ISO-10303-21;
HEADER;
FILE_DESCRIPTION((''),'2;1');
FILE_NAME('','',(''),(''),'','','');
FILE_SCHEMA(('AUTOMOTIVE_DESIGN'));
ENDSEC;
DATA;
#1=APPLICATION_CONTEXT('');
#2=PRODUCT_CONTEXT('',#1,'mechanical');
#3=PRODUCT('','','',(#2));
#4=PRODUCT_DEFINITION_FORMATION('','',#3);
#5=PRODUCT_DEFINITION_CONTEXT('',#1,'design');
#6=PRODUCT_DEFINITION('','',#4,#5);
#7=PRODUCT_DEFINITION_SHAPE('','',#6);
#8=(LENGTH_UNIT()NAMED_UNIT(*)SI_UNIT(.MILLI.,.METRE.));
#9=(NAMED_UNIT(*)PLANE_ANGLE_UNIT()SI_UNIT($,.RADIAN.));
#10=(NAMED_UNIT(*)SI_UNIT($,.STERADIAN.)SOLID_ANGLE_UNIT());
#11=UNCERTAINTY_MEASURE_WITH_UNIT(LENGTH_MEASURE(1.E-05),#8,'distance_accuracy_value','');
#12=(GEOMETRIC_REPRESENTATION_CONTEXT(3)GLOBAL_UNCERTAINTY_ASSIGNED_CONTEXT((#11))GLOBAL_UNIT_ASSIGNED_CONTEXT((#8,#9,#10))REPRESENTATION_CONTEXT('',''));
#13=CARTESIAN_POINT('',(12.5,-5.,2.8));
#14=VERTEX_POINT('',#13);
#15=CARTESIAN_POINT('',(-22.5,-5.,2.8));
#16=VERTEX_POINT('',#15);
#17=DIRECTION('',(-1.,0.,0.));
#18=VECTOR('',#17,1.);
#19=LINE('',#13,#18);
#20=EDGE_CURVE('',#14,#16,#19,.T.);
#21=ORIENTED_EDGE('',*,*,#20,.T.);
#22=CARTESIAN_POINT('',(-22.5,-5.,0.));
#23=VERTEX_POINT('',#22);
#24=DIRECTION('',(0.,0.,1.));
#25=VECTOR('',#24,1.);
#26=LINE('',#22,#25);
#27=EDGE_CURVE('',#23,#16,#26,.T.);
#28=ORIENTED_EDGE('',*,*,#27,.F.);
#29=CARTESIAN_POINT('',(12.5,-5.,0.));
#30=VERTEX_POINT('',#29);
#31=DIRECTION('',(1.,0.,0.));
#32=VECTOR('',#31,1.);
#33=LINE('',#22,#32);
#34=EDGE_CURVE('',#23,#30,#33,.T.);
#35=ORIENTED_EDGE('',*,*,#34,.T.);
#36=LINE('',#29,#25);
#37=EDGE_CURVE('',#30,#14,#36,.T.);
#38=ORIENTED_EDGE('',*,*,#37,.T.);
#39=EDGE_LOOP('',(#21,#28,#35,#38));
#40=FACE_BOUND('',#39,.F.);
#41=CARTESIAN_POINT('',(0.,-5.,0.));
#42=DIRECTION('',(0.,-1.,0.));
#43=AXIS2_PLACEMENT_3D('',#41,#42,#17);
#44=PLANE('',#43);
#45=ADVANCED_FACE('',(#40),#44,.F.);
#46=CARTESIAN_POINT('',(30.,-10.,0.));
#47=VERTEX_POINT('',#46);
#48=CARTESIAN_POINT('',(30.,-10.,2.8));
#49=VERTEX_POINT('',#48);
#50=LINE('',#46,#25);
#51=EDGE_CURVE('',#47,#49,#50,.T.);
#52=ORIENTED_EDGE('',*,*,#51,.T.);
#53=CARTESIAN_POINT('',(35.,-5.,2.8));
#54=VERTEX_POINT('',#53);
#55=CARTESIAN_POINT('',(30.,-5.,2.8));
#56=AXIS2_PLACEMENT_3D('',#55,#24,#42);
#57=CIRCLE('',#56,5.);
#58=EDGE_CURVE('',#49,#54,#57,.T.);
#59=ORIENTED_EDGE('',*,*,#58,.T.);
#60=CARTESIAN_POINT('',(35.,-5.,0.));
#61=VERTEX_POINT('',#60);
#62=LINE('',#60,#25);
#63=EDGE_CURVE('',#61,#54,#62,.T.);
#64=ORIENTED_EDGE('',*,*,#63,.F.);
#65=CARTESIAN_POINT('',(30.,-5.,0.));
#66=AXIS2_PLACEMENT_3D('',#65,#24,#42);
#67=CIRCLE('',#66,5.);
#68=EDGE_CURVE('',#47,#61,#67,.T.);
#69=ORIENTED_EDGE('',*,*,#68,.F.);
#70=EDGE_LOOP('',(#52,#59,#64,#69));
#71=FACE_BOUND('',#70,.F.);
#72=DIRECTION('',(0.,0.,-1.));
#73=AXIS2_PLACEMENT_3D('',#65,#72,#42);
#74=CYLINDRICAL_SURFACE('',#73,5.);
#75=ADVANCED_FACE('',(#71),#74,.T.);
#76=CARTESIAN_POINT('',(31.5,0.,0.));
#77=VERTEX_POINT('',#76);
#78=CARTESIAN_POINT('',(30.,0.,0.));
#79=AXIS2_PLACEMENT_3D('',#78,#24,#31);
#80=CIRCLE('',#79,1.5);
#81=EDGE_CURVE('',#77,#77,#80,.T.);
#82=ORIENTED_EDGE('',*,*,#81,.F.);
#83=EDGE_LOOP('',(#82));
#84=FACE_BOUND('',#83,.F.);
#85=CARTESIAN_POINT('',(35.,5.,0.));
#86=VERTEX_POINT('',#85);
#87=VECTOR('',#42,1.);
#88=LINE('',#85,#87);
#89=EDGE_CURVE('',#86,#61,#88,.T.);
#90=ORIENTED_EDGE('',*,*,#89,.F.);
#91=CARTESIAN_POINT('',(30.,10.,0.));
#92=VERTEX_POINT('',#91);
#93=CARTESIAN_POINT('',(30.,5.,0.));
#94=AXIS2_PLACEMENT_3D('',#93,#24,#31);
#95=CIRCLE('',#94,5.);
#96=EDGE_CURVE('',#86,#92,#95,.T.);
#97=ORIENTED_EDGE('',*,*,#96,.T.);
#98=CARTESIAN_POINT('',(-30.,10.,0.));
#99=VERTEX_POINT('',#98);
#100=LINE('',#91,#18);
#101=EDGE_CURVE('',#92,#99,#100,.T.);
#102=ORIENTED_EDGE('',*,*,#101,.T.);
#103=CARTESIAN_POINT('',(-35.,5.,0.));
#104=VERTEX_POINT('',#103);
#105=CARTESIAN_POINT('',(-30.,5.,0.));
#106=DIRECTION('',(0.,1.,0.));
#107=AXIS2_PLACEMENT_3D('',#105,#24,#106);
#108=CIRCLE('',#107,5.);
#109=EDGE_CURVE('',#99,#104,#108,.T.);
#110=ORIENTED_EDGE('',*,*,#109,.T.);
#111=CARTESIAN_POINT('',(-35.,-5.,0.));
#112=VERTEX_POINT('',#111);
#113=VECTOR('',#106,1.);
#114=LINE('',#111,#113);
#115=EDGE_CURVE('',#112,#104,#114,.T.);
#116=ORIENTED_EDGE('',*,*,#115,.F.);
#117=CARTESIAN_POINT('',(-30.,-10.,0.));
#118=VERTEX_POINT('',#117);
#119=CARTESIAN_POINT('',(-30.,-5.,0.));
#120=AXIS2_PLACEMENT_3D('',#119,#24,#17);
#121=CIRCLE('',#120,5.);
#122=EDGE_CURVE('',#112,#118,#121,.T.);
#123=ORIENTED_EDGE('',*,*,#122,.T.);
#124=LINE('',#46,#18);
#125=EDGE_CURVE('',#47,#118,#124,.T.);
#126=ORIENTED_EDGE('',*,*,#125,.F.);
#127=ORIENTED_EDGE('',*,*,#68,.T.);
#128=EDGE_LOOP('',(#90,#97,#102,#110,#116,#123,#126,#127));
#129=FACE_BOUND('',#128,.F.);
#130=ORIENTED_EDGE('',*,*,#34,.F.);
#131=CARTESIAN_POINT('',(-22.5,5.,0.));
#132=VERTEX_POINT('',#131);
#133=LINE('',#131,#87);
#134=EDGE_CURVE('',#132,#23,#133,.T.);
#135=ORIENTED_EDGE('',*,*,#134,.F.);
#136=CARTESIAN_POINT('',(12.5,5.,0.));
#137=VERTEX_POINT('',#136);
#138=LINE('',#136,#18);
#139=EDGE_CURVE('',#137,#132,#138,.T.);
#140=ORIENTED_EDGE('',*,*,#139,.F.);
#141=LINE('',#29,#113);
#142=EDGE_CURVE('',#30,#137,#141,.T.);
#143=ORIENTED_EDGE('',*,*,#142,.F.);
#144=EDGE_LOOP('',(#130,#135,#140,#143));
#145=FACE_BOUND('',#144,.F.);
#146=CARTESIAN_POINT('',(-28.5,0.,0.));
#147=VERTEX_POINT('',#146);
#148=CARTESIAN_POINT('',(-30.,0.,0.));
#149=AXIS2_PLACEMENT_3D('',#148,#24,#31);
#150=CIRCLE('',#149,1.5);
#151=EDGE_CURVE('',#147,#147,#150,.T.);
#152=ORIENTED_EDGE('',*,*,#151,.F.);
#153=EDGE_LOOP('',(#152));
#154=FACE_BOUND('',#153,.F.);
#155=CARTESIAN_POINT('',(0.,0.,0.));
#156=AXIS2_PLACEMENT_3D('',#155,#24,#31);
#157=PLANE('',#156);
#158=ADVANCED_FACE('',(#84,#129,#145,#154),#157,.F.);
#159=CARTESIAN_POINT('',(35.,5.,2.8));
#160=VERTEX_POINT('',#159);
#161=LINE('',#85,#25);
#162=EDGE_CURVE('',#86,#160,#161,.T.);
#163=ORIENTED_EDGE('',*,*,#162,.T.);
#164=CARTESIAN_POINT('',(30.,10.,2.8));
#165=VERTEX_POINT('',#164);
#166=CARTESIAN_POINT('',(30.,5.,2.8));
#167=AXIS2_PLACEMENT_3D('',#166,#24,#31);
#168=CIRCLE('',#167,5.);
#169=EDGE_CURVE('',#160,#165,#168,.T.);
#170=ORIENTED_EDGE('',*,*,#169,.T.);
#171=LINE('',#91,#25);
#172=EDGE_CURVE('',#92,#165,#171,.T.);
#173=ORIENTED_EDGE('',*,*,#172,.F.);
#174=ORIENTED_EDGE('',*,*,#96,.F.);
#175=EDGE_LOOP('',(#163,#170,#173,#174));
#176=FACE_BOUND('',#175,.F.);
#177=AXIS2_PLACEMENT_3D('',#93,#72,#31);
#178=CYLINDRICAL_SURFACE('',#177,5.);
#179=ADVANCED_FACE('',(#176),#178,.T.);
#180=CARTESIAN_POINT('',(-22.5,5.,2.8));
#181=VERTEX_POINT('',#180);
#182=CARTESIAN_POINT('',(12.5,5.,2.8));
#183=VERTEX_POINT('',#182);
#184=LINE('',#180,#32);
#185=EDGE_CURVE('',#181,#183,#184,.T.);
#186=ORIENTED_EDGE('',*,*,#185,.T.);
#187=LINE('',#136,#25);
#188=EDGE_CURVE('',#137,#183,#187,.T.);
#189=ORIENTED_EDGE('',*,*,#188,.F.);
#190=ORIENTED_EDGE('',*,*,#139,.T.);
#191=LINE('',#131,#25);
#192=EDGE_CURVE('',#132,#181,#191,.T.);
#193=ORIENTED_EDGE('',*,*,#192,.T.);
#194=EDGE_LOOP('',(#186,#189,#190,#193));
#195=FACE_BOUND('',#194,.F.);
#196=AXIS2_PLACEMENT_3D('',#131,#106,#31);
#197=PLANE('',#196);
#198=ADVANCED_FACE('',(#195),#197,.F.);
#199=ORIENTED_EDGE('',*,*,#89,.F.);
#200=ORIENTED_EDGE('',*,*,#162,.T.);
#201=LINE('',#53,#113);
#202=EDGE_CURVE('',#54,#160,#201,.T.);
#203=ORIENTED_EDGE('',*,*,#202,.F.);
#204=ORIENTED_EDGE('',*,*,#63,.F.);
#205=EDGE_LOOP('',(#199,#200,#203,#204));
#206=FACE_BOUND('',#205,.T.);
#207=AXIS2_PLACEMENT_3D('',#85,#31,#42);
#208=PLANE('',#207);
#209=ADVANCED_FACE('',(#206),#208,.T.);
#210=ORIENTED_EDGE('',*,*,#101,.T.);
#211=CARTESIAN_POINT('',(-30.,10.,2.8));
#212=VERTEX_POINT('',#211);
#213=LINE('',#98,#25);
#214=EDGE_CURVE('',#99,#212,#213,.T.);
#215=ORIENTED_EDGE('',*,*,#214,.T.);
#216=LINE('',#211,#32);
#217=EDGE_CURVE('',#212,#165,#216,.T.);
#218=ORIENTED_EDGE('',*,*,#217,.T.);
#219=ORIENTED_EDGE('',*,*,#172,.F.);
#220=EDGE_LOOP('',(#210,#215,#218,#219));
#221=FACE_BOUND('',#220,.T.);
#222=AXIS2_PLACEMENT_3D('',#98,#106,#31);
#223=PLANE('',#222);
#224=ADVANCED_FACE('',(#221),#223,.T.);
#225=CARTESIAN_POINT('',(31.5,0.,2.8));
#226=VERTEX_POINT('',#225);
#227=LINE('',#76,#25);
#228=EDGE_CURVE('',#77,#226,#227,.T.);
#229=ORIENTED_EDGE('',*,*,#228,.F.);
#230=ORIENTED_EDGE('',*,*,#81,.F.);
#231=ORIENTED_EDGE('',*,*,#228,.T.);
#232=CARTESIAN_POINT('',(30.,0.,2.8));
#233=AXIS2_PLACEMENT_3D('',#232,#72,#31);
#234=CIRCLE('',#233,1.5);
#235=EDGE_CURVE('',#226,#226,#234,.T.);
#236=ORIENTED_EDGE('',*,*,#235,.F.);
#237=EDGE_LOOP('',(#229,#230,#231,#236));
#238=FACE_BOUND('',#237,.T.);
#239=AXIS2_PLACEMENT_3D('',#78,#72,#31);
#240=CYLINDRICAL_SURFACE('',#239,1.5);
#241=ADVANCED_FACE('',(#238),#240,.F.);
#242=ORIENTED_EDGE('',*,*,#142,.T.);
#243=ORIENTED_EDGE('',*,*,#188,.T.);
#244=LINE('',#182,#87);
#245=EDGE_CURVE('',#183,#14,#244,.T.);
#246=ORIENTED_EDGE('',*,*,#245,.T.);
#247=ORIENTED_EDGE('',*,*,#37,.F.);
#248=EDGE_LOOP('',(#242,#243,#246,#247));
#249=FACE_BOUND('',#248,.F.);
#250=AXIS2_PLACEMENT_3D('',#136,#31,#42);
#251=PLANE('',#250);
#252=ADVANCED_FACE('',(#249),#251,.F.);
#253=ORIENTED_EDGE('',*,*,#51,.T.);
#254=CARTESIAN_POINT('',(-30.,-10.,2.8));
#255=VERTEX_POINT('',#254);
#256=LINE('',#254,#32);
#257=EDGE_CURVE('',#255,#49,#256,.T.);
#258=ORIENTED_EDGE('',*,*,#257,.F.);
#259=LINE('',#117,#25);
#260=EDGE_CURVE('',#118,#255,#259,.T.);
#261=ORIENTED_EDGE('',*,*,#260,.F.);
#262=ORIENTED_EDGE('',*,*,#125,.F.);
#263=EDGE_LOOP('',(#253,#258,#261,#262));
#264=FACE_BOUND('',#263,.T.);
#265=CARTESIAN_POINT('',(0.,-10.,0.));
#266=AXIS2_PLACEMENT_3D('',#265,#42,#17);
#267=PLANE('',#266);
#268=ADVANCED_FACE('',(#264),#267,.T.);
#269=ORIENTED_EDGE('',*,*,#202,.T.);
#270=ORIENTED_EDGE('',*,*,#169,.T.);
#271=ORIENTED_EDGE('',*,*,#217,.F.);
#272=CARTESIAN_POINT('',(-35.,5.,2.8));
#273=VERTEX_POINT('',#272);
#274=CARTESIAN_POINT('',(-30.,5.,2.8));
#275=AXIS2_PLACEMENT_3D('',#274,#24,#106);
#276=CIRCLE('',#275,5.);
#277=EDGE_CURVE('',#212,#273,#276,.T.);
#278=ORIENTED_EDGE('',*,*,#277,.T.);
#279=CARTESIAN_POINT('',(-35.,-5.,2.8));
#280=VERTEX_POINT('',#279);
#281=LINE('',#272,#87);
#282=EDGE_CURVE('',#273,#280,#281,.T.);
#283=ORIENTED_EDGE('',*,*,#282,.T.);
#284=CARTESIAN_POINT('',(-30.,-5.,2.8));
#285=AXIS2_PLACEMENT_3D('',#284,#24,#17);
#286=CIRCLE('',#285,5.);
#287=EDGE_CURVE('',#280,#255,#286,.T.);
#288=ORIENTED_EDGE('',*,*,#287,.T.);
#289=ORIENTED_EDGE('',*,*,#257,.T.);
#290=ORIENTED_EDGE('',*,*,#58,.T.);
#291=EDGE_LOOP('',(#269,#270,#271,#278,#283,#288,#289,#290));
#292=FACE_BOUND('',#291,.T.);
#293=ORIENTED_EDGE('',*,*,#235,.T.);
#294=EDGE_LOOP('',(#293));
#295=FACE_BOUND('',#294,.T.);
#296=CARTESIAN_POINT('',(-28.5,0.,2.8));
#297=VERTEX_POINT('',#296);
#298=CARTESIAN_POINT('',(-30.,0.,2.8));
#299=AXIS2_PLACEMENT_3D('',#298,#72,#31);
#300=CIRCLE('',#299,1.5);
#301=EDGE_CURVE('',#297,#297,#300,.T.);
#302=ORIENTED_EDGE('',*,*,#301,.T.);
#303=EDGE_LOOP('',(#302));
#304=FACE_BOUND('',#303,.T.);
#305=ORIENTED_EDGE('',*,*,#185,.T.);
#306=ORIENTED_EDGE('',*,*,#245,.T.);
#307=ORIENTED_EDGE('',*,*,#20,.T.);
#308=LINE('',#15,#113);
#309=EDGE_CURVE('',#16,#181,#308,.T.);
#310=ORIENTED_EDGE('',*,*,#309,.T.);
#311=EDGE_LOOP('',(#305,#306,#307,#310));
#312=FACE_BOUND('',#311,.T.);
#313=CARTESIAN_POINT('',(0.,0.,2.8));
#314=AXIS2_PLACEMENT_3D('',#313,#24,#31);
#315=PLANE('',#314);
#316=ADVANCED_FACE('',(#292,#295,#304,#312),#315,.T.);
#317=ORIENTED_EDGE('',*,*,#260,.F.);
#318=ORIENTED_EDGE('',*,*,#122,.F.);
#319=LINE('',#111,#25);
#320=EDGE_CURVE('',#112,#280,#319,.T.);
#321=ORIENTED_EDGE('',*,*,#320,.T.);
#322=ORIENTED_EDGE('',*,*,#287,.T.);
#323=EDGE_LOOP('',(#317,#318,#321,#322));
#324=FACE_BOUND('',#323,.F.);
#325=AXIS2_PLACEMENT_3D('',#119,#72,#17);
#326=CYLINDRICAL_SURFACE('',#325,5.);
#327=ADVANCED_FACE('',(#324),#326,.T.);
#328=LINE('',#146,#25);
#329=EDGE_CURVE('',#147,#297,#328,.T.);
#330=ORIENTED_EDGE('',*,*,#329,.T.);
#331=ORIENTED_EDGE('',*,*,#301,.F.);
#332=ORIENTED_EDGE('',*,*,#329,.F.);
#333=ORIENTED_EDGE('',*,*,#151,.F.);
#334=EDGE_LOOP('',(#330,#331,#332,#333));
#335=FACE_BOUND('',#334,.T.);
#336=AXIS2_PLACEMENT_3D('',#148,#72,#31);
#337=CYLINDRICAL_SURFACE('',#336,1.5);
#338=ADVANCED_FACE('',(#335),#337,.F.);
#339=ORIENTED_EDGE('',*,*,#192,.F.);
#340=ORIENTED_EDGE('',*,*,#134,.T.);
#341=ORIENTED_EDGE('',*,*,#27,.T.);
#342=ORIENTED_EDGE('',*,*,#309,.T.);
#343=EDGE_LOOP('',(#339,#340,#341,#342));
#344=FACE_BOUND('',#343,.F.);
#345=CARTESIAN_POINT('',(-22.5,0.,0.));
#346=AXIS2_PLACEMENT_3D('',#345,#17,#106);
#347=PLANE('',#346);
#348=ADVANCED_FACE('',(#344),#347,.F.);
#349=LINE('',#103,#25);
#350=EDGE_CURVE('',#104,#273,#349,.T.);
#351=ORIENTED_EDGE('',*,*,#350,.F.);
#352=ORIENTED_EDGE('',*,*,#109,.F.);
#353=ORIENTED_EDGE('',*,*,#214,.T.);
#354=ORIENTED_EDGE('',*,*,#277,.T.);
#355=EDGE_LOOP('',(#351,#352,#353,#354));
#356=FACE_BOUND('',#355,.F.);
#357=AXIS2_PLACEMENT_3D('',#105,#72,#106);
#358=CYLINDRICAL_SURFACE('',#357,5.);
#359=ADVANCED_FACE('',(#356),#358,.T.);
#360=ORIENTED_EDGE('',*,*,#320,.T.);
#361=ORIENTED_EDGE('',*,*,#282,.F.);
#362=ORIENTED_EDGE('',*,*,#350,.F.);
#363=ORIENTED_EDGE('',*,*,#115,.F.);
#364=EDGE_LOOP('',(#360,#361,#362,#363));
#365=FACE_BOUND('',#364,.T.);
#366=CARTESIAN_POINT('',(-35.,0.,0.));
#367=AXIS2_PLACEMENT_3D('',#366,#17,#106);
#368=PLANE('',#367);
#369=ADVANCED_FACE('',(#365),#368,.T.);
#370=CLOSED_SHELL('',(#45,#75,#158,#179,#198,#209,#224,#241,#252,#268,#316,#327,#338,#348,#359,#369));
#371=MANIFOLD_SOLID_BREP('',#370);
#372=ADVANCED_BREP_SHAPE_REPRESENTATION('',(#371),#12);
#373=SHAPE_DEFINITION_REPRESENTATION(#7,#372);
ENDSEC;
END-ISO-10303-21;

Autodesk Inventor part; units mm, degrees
ref_plane "YZ Plane" through (0, 0, 0) normal (1, 0, 0) x (0, 1, 0)
ref_plane "XZ Plane" through (0, 0, 0) normal (0, 1, 0) x (-1, 0, 0)
ref_plane "XY Plane" through (0, 0, 0) normal (0, 0, 1) x (1, 0, 0)
sketch "Sketch1" plane through (0, 0, 0) normal (0, 0, 1) x (1, 0, 0)
  line L0 (-30, 10) -> (30, 10)
  line L1 (35, 5) -> (35, -5)
  line L2 (30, -10) -> (-30, -10)
  line L3 (-35, -5) -> (-35, 5)
  line L4 (-50.4497, 0) -> (50.4497, 0) projected
  line L5 (0, -15.4497) -> (0, 15.4497) projected
  arc A0 (-30, 10) -> (-35, 5) centre (-30, 5) ccw
  arc A1 (-35, -5) -> (-30, -10) centre (-30, -5) ccw
  arc A2 (30, -10) -> (35, -5) centre (30, -5) ccw
  arc A3 (35, 5) -> (30, 10) centre (30, 5) ccw
  line L6 (-22.5, 5) -> (12.5, 5)
  line L7 (12.5, 5) -> (12.5, -5)
  line L8 (12.5, -5) -> (-22.5, -5)
  line L9 (-22.5, -5) -> (-22.5, 5)
  circle A4 centre (-30, 0) radius 1.5
  circle A5 centre (30, 0) radius 1.5
  point P0 (0, 0)
  point P1 (-35, 10)
  point P2 (35, -10)
  point P3 (35, 10)
  point P4 (-35, -10)
  dimension "d2" = 70
  dimension "d3" = 35
  dimension "d4" = 20
  dimension "d5" = 10
  dimension "d6" = 5
  dimension "d7" = 35
  dimension "d8" = 12.5
  dimension "d9" = 3
  dimension "d10" = 3
extrude "Extrusion1" add sketch "Sketch1" along normal blind 2.8 contours L0 L5 L6 L9 L4 A4 L3 A0 | L0 A3 L1 L4 A5 L7 L6 L5 | L4 A4 L9 L8 L5 L2 A1 L3 | L1 A2 L2 L5 L8 L7 L4 A5
equation "\"d3\" = 0.5 * d2"
equation "\"d5\" = 0.5 * d4"
properties part number "Acrylic_YawServoSupport_3"
